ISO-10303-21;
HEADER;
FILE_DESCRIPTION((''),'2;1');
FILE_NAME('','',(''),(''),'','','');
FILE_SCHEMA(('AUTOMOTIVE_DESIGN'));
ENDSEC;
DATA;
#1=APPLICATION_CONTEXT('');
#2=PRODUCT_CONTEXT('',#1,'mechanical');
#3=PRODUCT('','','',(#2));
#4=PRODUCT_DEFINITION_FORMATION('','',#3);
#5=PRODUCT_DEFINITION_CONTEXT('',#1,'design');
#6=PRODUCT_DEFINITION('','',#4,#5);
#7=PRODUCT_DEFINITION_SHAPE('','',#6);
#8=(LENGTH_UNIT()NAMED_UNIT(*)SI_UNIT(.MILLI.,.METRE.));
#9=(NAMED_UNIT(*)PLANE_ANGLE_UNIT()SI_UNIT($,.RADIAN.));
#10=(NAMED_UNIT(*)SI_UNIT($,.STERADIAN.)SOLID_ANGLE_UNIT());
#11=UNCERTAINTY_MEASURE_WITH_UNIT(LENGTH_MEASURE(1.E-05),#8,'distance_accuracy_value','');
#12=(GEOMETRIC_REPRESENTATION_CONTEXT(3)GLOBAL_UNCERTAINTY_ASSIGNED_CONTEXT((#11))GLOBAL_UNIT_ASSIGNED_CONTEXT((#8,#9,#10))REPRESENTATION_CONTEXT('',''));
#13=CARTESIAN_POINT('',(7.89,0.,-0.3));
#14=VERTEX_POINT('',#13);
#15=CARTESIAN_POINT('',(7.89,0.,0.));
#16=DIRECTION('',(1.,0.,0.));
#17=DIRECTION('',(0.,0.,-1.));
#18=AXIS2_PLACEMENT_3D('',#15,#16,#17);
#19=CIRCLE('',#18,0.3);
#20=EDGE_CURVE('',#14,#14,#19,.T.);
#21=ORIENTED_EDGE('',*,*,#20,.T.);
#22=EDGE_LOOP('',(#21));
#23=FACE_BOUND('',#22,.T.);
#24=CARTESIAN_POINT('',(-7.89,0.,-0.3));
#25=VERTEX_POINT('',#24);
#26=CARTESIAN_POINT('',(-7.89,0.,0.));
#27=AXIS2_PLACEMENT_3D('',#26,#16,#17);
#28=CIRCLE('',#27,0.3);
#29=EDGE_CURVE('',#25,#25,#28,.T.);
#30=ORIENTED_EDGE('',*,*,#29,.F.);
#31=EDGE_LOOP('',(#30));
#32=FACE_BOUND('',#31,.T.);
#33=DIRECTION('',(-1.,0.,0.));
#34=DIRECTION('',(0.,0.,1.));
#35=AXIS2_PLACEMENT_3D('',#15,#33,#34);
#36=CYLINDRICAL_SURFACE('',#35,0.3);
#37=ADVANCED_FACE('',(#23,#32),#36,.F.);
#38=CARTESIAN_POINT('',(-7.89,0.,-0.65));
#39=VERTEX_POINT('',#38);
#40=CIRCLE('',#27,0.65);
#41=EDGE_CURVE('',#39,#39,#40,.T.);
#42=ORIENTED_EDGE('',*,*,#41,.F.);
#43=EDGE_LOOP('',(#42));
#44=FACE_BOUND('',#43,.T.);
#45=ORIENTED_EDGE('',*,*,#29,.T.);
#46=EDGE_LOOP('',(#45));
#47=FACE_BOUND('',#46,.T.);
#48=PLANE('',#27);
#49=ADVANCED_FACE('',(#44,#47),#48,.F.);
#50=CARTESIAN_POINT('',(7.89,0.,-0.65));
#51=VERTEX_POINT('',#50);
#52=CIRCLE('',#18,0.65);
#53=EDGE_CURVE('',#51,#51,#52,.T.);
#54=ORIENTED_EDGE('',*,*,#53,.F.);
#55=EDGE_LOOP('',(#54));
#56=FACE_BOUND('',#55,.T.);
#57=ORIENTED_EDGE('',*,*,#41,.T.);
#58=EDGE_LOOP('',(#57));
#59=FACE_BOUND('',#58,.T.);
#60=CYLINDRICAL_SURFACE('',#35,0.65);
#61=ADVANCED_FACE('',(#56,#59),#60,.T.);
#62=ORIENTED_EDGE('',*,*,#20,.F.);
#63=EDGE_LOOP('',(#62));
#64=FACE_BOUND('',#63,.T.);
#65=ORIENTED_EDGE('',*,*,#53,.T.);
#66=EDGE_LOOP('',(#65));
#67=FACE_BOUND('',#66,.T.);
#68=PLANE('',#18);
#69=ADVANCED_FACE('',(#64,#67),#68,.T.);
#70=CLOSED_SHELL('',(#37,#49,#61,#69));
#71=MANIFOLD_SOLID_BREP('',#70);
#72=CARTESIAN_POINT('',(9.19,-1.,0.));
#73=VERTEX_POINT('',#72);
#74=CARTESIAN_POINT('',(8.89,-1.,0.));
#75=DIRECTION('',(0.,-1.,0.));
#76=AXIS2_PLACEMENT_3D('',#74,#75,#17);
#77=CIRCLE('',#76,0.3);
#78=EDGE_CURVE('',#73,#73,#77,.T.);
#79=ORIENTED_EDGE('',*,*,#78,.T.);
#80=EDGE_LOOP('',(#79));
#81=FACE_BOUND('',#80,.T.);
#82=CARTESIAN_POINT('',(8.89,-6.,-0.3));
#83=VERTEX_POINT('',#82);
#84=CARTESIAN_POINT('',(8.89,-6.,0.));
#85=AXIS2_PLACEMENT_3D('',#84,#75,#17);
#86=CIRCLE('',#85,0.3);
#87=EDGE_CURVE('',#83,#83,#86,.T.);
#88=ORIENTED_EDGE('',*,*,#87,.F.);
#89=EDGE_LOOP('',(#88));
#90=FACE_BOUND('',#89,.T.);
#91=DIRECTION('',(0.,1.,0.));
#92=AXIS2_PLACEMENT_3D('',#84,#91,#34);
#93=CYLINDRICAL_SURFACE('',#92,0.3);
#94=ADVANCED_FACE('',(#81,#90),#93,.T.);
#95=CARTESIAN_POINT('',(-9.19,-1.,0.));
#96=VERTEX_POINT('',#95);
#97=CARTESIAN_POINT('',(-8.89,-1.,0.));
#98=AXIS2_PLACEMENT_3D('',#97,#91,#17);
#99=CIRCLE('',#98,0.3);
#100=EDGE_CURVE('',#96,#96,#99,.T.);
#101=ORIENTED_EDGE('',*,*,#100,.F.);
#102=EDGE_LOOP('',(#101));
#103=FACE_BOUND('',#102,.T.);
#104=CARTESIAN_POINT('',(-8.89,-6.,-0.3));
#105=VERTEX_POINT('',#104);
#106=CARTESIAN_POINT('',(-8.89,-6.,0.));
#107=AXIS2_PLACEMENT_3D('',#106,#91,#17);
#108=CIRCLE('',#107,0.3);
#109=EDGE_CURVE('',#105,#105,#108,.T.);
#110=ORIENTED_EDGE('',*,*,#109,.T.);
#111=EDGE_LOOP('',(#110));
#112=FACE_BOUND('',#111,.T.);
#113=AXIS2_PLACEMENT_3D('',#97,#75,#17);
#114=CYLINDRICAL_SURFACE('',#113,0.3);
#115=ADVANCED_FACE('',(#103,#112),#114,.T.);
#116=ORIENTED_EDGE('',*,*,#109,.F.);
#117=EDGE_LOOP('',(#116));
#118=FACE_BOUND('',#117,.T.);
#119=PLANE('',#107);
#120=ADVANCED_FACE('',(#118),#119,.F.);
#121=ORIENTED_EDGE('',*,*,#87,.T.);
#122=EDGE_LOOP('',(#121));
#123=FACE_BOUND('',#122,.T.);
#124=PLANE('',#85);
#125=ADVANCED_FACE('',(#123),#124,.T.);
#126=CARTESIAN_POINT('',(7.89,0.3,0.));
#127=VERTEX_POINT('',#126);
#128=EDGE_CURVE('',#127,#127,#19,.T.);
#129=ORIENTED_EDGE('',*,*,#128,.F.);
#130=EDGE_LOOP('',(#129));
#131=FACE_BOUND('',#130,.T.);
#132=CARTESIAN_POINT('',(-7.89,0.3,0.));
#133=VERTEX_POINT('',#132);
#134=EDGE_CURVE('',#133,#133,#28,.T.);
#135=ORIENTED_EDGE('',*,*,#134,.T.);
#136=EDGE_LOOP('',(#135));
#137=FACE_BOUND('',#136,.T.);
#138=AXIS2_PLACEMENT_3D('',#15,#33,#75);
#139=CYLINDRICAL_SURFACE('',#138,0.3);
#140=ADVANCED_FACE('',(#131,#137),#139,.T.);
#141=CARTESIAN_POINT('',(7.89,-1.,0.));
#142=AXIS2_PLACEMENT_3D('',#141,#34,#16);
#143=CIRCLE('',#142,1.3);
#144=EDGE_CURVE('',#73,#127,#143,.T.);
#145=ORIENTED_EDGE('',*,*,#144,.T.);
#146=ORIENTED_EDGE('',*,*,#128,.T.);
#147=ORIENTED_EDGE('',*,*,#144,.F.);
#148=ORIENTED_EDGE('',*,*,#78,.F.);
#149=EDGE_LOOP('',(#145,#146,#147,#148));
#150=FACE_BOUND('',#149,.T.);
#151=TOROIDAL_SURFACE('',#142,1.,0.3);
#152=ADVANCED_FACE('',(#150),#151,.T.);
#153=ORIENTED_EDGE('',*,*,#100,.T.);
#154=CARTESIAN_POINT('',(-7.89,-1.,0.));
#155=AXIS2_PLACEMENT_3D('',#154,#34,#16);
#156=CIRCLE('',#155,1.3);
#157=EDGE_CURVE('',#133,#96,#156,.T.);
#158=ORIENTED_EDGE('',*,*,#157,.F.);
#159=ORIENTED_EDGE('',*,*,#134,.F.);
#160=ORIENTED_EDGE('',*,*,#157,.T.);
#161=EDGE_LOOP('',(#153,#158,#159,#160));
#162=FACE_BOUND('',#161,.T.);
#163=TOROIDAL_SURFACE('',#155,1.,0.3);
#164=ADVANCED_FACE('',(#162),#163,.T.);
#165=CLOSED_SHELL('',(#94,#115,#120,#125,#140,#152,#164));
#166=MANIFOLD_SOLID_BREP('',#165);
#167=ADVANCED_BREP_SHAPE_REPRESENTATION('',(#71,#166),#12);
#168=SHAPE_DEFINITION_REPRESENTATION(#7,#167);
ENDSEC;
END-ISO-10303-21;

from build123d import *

# Parameters (mm, degrees)
SKETCH2_R                = 0.3
SKETCH3_R                = 0.65
SKETCH3_R_2              = 0.3
BOSS_EXTRUDE1_DEPTH      = 7.89
BOSS_EXTRUDE1_DEPTH_BACK = 7.89


with BuildPart() as part:
    # Sweep1: sweep along a path in Sketch1
    with BuildLine(Plane.XY) as sweep1_path:
        Line((-8.89, -6), (-8.89, -1))
        ThreePointArc((-8.89, -1), (-8.597106781, -0.292893219), (-7.89, 0))
        Line((-7.89, 0), (7.89, 0))
        ThreePointArc((7.89, 0), (8.597106781, -0.292893219), (8.89, -1))
        Line((8.89, -1), (8.89, -6))
    # Sketch2 → Sweep1 (sweep)
    with BuildSketch(Plane(origin=(0, 0, 0), x_dir=(0, 0, -1), z_dir=(1, 0, 0))):
        Circle(SKETCH2_R)
    sweep(path=sweep1_path.line)


with BuildPart() as body_2:
    # Sketch3 → Boss-Extrude1 (new body, two sides)
    with BuildSketch(Plane(origin=(0, 0, 0), x_dir=(0, 0, -1), z_dir=(1, 0, 0))) as boss_extrude1_sk:
        Circle(SKETCH3_R)
        Circle(SKETCH3_R_2, mode=Mode.SUBTRACT)
    extrude(amount=BOSS_EXTRUDE1_DEPTH)
    extrude(boss_extrude1_sk.sketch, amount=-BOSS_EXTRUDE1_DEPTH_BACK)


solid = Compound([part.part, body_2.part])
